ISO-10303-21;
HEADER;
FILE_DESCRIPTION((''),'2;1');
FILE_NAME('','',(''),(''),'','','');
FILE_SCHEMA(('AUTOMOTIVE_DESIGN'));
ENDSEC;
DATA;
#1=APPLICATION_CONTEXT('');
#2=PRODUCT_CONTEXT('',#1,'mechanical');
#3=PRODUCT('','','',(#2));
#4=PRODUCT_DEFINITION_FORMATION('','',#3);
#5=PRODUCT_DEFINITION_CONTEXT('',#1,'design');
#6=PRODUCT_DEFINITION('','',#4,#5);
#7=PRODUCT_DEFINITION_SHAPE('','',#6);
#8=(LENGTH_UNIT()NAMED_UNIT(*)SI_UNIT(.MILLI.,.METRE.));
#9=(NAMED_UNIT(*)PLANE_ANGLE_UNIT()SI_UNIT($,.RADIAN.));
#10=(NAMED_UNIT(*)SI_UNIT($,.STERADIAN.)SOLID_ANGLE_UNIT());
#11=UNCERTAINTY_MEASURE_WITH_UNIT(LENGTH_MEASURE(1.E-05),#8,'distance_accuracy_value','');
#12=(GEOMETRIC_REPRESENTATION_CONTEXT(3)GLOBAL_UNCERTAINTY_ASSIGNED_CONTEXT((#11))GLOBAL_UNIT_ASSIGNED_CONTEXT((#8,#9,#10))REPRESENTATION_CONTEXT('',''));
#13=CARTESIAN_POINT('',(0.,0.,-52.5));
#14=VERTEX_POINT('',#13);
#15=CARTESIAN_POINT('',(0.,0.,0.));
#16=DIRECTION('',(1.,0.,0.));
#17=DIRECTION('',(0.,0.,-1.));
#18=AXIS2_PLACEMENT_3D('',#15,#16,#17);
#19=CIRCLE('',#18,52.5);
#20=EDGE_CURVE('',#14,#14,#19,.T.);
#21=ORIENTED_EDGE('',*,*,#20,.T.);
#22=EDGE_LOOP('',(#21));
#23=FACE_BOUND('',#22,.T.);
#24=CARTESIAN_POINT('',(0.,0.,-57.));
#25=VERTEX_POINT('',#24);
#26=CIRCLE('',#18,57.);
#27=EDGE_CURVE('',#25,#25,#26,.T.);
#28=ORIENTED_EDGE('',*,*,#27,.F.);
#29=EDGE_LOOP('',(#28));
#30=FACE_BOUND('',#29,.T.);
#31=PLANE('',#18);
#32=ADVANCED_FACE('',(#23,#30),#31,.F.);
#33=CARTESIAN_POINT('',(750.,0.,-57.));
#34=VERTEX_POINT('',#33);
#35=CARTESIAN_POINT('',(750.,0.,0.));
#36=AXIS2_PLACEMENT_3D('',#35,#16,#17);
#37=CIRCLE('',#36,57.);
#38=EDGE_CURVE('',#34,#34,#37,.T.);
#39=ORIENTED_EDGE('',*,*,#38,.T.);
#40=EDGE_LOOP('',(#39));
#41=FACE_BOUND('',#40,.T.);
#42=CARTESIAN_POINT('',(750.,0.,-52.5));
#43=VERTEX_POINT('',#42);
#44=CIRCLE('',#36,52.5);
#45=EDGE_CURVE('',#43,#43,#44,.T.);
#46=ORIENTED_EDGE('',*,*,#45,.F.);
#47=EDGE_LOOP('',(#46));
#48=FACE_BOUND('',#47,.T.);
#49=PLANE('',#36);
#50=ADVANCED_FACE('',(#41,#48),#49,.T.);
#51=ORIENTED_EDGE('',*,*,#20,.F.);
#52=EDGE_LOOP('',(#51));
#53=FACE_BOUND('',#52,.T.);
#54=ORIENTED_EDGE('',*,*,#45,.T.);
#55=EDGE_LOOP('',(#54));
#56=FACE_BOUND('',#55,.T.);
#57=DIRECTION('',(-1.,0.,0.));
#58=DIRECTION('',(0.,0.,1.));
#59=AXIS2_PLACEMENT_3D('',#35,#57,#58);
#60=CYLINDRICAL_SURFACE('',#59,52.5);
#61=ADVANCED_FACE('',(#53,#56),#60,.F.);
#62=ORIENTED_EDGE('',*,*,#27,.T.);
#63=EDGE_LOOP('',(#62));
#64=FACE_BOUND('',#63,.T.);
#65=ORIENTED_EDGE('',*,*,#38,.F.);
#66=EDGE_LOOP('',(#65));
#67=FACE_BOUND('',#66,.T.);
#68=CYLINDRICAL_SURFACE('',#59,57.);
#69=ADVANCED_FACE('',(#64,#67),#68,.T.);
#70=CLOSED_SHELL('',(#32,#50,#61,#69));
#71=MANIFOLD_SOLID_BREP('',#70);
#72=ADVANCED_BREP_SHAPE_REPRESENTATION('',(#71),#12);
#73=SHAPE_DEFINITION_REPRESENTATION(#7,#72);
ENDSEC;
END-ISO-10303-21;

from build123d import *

# Parameters (mm, degrees)
CROQUIS1_R              = 57
CROQUIS1_R_2            = 52.5
SALIENTE_EXTRUIR1_DEPTH = 750


with BuildPart() as part:
    # Croquis1 → Saliente-Extruir1 (new body)
    with BuildSketch(Plane(origin=(0, 0, 0), x_dir=(0, 0, -1), z_dir=(1, 0, 0))):
        Circle(CROQUIS1_R)
        Circle(CROQUIS1_R_2, mode=Mode.SUBTRACT)
    extrude(amount=SALIENTE_EXTRUIR1_DEPTH)


solid = part.part
